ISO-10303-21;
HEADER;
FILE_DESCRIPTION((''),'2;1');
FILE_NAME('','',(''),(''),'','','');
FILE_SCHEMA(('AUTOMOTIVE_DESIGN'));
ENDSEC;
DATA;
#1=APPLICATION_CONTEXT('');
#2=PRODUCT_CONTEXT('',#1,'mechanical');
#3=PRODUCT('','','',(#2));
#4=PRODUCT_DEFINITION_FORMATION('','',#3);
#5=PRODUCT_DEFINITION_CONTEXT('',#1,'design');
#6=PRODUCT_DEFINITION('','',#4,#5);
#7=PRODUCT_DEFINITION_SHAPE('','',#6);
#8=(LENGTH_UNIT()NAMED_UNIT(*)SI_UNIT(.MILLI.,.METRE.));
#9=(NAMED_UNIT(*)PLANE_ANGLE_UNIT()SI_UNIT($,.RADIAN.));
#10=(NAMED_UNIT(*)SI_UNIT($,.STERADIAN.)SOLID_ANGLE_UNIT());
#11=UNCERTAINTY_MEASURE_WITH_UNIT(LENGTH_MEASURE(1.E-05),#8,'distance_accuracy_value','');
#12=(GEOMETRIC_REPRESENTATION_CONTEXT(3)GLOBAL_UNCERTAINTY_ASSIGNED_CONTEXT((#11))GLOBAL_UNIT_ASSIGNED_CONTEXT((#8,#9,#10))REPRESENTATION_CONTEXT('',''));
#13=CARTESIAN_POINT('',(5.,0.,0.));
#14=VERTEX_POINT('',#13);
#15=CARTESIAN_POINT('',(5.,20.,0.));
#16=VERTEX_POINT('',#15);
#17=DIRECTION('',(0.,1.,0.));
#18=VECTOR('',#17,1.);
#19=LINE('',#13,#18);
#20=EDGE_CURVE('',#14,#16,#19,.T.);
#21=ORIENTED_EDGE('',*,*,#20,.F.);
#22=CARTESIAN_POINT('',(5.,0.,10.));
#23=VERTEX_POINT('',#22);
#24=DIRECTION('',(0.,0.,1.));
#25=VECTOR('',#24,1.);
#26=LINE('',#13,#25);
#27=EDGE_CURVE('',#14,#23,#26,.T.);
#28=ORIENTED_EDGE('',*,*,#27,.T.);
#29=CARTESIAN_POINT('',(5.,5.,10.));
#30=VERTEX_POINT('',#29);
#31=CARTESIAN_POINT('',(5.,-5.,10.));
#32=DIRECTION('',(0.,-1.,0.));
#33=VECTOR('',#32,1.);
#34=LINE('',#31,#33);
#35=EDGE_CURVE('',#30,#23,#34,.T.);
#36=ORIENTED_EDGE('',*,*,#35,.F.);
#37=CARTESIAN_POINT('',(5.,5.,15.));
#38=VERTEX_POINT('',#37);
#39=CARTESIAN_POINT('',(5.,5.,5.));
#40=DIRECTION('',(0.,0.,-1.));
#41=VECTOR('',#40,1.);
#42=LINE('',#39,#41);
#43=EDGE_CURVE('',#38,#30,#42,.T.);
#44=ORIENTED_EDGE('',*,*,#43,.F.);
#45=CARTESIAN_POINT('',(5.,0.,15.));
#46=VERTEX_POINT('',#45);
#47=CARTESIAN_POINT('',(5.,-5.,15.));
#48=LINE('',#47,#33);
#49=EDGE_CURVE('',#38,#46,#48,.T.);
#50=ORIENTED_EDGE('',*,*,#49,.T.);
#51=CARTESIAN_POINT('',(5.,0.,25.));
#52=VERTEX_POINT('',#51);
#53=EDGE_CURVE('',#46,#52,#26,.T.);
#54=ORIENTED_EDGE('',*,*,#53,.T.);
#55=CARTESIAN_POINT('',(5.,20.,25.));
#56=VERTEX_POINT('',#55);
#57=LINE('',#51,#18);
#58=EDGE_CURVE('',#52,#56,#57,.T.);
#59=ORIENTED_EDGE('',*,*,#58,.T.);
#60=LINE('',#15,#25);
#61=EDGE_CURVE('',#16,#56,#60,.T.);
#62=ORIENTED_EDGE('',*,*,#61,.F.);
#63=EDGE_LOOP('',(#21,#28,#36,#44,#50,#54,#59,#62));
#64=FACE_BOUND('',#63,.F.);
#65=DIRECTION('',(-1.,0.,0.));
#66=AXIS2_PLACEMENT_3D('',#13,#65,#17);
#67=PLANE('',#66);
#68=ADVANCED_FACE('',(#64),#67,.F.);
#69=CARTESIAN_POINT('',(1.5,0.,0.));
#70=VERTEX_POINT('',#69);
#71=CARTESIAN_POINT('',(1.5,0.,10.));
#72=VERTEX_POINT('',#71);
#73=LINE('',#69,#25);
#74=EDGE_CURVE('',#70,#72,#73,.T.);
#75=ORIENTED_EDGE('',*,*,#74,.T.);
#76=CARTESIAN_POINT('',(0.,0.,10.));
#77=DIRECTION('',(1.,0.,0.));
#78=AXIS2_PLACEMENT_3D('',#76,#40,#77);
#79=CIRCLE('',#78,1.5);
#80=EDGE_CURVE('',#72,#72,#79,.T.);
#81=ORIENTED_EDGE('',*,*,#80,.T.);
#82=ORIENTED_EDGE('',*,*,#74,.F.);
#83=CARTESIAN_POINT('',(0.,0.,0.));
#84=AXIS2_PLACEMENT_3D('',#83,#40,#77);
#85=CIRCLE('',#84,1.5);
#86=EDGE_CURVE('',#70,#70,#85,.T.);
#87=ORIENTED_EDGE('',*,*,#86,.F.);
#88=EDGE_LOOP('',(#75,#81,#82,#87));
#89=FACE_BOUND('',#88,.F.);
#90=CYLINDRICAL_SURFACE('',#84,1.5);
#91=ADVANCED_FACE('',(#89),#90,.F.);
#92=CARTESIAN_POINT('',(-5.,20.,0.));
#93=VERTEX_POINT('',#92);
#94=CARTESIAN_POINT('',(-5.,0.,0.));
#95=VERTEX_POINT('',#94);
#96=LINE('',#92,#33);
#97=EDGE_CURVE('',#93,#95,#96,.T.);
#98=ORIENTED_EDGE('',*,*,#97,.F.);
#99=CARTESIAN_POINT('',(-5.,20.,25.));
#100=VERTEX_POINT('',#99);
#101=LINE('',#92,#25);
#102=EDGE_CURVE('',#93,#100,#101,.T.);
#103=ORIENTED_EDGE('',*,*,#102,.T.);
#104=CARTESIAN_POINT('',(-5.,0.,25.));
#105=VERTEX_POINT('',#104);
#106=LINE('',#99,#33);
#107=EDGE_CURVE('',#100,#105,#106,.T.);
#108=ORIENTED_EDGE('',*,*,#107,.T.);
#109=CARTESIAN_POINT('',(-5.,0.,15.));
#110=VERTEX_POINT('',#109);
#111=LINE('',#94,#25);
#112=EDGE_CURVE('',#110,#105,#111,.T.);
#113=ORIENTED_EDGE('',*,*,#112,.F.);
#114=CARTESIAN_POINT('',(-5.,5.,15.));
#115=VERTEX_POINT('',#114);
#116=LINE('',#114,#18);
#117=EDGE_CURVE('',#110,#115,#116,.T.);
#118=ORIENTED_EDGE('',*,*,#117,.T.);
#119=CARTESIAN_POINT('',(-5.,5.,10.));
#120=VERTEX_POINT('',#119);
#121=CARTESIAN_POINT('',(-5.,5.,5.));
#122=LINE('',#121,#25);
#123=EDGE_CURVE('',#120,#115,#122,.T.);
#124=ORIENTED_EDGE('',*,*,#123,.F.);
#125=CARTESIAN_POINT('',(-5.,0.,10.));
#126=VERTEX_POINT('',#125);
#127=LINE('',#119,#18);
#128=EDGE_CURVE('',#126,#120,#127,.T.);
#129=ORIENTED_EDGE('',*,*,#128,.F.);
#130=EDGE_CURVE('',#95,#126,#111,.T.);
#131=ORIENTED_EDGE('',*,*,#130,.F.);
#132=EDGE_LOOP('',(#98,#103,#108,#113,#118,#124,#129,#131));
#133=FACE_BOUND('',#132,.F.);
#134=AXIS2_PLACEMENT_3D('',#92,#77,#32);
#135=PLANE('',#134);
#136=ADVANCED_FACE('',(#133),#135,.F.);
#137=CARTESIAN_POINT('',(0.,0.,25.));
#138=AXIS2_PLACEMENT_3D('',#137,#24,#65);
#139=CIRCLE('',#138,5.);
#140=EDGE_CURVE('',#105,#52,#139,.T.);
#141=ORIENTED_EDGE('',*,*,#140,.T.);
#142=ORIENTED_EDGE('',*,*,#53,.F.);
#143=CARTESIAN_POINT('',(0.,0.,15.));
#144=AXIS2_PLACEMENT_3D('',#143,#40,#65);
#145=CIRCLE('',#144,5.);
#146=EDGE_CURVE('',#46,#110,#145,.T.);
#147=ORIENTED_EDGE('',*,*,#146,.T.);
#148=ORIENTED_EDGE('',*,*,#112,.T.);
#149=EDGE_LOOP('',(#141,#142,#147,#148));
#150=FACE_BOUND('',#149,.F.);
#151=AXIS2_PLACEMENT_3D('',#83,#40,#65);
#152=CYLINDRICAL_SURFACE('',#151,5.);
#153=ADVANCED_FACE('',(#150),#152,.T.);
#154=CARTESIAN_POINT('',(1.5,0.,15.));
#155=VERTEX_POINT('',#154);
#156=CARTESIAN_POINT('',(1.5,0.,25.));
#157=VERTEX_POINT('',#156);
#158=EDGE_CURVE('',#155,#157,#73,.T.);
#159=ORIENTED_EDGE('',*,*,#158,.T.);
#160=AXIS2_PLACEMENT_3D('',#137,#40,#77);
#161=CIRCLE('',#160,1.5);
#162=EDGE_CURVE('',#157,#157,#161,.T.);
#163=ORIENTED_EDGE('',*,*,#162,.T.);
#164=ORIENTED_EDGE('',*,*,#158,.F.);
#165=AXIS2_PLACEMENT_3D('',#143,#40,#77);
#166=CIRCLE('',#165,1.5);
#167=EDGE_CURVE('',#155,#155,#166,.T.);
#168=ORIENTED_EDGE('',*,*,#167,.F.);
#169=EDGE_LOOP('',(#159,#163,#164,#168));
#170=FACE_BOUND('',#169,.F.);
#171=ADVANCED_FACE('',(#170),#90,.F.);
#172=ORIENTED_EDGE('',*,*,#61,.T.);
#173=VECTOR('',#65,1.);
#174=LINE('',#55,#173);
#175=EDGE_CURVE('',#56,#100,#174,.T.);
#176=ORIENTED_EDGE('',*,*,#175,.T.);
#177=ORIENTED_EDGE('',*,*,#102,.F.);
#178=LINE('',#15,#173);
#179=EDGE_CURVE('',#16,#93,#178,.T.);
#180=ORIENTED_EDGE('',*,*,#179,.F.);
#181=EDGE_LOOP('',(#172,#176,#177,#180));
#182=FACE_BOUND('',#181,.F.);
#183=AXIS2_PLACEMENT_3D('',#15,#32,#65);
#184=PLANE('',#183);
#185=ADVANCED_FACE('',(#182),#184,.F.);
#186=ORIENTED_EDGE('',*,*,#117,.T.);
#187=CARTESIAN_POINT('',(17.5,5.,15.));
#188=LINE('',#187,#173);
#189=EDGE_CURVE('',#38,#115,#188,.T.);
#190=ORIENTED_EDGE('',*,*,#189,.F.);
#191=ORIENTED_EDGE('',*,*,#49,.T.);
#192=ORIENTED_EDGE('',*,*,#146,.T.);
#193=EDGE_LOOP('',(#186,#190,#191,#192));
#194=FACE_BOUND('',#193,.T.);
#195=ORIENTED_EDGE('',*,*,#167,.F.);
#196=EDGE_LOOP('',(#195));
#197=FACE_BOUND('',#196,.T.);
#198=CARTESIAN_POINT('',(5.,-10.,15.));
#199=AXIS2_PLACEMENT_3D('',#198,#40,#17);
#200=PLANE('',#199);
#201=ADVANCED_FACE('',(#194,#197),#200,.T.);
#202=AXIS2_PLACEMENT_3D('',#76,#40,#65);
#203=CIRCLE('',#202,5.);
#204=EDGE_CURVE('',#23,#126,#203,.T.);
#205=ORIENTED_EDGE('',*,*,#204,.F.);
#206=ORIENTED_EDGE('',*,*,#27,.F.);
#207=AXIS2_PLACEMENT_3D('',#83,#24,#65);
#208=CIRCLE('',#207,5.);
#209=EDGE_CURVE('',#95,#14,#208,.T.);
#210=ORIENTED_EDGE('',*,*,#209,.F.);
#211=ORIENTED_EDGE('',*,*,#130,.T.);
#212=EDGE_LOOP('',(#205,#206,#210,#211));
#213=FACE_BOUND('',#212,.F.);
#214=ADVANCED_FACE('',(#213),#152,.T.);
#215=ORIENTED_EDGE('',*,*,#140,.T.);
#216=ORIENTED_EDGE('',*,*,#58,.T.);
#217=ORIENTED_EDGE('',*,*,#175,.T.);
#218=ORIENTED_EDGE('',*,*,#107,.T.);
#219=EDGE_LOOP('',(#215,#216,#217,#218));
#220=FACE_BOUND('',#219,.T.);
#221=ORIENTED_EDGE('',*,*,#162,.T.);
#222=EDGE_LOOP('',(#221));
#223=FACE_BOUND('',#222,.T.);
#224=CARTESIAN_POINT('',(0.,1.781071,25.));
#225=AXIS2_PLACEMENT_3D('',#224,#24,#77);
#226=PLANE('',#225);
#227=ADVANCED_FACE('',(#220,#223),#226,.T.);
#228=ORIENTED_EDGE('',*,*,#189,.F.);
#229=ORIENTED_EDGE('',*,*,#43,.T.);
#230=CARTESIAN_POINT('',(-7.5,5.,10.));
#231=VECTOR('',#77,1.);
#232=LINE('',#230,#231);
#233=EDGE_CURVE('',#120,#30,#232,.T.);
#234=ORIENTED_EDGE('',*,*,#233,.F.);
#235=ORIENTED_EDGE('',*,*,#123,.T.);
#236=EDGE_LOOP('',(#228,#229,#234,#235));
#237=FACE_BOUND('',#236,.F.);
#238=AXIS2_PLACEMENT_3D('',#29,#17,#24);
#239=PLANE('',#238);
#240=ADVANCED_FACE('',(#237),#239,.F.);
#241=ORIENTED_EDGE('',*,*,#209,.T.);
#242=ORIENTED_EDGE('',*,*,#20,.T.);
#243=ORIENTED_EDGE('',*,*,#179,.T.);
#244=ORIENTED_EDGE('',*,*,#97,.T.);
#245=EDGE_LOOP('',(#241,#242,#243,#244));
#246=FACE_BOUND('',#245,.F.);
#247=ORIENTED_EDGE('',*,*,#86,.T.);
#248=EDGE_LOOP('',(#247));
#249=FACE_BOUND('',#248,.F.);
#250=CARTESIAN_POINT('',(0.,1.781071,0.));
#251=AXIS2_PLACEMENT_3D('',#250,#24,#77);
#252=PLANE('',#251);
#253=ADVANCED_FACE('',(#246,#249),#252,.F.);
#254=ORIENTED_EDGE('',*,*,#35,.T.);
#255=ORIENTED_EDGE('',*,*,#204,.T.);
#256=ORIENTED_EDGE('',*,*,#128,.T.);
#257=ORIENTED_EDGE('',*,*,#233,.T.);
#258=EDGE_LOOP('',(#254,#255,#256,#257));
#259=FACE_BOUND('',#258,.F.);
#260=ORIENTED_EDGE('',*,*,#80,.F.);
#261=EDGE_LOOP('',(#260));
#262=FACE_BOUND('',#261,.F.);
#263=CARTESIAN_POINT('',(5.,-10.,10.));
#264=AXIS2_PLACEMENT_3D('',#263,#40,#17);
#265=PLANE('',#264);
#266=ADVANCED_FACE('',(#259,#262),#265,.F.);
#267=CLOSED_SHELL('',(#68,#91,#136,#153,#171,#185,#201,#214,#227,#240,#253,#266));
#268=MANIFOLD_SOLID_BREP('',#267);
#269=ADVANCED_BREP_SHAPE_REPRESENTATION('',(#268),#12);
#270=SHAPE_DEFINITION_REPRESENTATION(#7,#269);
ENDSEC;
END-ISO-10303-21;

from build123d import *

# Parameters (mm, degrees)
F1_DEPTH = 25
F2_W     = 15
F2_H     = 5
F3_DEPTH = 12.5


with BuildPart() as f1:
    # F0 (on Top) → F1 (new body)
    with BuildSketch(Plane.XY):
        with BuildLine():
            Line((1.5, 0), (5, 0))
            ThreePointArc((5, 0), (0, 5), (-5, 0))
            Line((-5, 0), (-1.5, 0))
            ThreePointArc((-1.5, 0), (0, 1.5), (1.5, 0))
        make_face()
        with BuildLine():
            ThreePointArc((-5, 0), (0, -5), (5, 0))
            Line((5, 0), (1.5, 0))
            ThreePointArc((1.5, 0), (0, -1.5), (-1.5, 0))
            Line((-1.5, 0), (-5, 0))
        make_face()
        with BuildLine():
            ThreePointArc((-5, 0), (0, 5), (5, 0))
            Line((5, 0), (5, 20))
            Line((5, 20), (-5, 20))
            Line((-5, 20), (-5, 0))
        make_face()
    extrude(amount=F1_DEPTH)

    # F2 (on face) → F3 (cut, symmetric)
    with BuildSketch(Plane.YZ.offset(5)):
        with Locations((-2.5, 12.5)):
            Rectangle(F2_W, F2_H)
    extrude(amount=F3_DEPTH, both=True, mode=Mode.SUBTRACT)


solid = f1.part
